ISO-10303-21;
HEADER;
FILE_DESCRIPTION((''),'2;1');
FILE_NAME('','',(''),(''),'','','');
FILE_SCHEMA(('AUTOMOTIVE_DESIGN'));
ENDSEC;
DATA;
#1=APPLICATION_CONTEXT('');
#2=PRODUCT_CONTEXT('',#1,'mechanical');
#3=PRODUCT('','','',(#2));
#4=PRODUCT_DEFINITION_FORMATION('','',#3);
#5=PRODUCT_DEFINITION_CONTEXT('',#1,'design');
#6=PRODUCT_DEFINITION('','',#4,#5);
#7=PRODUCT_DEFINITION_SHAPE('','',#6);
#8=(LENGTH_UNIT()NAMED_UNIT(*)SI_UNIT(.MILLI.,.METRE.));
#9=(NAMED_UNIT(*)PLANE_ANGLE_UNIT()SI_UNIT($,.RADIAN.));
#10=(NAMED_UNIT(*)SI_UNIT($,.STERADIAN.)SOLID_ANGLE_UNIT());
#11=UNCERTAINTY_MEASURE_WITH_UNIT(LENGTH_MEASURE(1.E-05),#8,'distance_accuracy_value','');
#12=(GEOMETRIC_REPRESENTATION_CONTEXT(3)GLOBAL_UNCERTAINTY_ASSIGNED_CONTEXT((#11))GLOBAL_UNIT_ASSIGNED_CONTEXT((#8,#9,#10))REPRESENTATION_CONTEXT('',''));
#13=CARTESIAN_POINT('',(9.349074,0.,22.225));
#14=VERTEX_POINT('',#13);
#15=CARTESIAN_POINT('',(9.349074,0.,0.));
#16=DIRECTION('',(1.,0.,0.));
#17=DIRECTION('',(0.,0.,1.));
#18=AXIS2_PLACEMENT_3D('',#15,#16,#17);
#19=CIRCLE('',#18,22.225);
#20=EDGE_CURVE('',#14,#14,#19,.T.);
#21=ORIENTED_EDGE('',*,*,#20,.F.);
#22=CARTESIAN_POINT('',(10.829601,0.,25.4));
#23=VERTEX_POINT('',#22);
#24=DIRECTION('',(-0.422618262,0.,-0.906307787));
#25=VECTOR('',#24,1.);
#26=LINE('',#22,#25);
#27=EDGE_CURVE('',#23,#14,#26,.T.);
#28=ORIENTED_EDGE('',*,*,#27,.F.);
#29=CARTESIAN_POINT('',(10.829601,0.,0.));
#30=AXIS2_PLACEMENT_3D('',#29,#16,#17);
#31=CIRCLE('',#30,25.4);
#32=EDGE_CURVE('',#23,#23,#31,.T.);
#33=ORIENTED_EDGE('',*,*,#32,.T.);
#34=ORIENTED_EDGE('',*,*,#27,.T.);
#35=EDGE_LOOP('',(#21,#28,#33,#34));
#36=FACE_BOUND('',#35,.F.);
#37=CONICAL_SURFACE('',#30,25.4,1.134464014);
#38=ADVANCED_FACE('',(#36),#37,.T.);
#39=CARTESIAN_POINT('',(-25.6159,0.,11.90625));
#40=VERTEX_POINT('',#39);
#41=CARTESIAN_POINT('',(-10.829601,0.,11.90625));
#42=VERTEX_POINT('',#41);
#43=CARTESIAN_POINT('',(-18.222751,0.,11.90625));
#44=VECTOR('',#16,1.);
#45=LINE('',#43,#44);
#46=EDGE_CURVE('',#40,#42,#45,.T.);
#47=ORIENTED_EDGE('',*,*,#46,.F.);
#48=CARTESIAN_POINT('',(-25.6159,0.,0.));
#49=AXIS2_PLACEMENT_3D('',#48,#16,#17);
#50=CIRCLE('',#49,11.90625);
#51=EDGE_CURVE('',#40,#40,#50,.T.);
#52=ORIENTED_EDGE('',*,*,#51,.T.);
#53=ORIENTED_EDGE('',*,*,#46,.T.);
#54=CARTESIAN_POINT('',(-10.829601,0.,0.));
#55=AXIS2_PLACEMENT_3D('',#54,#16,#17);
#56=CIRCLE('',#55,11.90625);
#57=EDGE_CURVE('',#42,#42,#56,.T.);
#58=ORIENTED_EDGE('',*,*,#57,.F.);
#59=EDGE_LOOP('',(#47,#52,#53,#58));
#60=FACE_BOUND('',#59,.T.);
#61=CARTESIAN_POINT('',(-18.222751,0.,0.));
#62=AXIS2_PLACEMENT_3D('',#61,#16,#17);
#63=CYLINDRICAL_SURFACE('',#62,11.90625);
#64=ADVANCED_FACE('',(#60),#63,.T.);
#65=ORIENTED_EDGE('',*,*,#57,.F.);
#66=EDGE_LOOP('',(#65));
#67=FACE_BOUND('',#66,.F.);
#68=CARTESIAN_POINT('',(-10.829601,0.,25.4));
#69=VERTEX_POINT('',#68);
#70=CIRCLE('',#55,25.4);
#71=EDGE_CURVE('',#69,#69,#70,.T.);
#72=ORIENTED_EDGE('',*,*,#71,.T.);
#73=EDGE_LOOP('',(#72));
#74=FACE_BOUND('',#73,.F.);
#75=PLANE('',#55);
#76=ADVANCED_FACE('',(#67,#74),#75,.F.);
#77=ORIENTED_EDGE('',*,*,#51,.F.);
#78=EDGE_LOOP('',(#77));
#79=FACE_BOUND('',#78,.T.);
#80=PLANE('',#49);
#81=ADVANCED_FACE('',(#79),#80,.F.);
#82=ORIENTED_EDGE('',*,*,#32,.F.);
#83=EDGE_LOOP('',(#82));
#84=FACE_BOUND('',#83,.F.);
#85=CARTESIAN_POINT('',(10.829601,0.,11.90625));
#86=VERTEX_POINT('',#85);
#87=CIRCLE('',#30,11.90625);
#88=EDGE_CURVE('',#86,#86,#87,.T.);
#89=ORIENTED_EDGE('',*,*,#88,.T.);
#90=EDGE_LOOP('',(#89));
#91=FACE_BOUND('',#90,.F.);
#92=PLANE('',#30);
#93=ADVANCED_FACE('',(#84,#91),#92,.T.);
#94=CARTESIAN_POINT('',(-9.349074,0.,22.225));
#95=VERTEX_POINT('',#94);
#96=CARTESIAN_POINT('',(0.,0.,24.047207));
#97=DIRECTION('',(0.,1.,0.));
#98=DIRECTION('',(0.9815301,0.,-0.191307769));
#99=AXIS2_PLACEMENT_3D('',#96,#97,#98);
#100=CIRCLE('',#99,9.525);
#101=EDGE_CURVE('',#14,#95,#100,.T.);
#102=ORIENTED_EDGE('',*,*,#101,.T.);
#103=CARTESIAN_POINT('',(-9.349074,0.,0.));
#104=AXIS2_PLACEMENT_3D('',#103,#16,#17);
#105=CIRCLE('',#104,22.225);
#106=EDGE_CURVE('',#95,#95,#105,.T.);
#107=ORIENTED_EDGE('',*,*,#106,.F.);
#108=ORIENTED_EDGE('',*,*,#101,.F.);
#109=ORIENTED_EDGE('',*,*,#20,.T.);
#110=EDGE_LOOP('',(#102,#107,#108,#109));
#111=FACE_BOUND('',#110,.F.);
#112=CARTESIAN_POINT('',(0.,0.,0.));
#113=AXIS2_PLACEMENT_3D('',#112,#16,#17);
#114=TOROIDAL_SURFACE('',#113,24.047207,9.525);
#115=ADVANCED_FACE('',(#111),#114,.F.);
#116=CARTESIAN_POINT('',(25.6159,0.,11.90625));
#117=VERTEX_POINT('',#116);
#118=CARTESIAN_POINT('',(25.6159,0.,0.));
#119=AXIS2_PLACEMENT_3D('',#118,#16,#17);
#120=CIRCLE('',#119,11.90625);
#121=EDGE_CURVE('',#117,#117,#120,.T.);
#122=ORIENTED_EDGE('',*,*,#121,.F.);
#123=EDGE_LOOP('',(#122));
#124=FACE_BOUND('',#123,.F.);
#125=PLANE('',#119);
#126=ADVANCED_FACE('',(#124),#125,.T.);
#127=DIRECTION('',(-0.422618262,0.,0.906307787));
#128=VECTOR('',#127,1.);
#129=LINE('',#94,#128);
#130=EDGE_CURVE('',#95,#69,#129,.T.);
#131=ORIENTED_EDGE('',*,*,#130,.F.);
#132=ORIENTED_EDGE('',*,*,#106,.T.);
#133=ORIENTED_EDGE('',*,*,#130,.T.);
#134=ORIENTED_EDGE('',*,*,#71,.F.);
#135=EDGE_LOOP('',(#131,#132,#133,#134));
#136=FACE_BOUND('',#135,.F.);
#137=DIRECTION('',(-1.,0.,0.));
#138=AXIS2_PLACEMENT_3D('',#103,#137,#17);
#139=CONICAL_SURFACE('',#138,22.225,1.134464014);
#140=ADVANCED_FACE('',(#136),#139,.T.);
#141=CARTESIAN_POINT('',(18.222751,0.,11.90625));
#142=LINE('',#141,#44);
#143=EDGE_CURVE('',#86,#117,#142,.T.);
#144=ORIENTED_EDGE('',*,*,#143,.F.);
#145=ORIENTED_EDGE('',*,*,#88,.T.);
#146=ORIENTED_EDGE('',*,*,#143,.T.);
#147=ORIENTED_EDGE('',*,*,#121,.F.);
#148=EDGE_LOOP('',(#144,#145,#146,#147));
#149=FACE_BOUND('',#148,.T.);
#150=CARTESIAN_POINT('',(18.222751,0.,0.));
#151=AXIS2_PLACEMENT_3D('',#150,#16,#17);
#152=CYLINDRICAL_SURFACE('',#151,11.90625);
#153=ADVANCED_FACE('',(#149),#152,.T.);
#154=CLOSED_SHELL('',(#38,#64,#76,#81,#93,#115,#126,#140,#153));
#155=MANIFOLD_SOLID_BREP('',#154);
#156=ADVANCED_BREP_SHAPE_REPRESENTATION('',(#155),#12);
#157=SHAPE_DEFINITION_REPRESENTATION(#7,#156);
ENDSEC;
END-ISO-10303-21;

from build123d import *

# Parameters (mm, degrees)
F0_W = 14.7862989814
F0_H = 11.90625


with BuildPart() as f1:
    # F0 (on Front) → F1 (revolve)
    with BuildSketch(Plane.XZ):
        with BuildLine():
            Line((-10.8296010186, 11.90625), (-10.8296010186, 0))
            Line((-10.8296010186, 0), (0, 0))
            Line((0, 0), (10.8296010186, 0))
            Line((10.8296010186, 0), (10.8296010186, 11.90625))
            Line((10.8296010186, 11.90625), (10.8296010186, 25.4))
            Line((10.8296010186, 25.4), (9.349074204, 22.225))
            ThreePointArc((9.349074204, 22.225), (0, 14.5222065), (-9.349074204, 22.225))
            Line((-9.349074204, 22.225), (-10.8296010186, 25.4))
            Line((-10.8296010186, 25.4), (-10.8296010186, 11.90625))
        make_face()
        with Locations((18.2227505093, 5.953125)):
            Rectangle(F0_W, F0_H)
        with Locations((-18.2227505093, 5.953125)):
            Rectangle(F0_W, F0_H)
    revolve(axis=Axis((4.8291105777, 0, 0), (1, 0, 0)))


solid = f1.part
